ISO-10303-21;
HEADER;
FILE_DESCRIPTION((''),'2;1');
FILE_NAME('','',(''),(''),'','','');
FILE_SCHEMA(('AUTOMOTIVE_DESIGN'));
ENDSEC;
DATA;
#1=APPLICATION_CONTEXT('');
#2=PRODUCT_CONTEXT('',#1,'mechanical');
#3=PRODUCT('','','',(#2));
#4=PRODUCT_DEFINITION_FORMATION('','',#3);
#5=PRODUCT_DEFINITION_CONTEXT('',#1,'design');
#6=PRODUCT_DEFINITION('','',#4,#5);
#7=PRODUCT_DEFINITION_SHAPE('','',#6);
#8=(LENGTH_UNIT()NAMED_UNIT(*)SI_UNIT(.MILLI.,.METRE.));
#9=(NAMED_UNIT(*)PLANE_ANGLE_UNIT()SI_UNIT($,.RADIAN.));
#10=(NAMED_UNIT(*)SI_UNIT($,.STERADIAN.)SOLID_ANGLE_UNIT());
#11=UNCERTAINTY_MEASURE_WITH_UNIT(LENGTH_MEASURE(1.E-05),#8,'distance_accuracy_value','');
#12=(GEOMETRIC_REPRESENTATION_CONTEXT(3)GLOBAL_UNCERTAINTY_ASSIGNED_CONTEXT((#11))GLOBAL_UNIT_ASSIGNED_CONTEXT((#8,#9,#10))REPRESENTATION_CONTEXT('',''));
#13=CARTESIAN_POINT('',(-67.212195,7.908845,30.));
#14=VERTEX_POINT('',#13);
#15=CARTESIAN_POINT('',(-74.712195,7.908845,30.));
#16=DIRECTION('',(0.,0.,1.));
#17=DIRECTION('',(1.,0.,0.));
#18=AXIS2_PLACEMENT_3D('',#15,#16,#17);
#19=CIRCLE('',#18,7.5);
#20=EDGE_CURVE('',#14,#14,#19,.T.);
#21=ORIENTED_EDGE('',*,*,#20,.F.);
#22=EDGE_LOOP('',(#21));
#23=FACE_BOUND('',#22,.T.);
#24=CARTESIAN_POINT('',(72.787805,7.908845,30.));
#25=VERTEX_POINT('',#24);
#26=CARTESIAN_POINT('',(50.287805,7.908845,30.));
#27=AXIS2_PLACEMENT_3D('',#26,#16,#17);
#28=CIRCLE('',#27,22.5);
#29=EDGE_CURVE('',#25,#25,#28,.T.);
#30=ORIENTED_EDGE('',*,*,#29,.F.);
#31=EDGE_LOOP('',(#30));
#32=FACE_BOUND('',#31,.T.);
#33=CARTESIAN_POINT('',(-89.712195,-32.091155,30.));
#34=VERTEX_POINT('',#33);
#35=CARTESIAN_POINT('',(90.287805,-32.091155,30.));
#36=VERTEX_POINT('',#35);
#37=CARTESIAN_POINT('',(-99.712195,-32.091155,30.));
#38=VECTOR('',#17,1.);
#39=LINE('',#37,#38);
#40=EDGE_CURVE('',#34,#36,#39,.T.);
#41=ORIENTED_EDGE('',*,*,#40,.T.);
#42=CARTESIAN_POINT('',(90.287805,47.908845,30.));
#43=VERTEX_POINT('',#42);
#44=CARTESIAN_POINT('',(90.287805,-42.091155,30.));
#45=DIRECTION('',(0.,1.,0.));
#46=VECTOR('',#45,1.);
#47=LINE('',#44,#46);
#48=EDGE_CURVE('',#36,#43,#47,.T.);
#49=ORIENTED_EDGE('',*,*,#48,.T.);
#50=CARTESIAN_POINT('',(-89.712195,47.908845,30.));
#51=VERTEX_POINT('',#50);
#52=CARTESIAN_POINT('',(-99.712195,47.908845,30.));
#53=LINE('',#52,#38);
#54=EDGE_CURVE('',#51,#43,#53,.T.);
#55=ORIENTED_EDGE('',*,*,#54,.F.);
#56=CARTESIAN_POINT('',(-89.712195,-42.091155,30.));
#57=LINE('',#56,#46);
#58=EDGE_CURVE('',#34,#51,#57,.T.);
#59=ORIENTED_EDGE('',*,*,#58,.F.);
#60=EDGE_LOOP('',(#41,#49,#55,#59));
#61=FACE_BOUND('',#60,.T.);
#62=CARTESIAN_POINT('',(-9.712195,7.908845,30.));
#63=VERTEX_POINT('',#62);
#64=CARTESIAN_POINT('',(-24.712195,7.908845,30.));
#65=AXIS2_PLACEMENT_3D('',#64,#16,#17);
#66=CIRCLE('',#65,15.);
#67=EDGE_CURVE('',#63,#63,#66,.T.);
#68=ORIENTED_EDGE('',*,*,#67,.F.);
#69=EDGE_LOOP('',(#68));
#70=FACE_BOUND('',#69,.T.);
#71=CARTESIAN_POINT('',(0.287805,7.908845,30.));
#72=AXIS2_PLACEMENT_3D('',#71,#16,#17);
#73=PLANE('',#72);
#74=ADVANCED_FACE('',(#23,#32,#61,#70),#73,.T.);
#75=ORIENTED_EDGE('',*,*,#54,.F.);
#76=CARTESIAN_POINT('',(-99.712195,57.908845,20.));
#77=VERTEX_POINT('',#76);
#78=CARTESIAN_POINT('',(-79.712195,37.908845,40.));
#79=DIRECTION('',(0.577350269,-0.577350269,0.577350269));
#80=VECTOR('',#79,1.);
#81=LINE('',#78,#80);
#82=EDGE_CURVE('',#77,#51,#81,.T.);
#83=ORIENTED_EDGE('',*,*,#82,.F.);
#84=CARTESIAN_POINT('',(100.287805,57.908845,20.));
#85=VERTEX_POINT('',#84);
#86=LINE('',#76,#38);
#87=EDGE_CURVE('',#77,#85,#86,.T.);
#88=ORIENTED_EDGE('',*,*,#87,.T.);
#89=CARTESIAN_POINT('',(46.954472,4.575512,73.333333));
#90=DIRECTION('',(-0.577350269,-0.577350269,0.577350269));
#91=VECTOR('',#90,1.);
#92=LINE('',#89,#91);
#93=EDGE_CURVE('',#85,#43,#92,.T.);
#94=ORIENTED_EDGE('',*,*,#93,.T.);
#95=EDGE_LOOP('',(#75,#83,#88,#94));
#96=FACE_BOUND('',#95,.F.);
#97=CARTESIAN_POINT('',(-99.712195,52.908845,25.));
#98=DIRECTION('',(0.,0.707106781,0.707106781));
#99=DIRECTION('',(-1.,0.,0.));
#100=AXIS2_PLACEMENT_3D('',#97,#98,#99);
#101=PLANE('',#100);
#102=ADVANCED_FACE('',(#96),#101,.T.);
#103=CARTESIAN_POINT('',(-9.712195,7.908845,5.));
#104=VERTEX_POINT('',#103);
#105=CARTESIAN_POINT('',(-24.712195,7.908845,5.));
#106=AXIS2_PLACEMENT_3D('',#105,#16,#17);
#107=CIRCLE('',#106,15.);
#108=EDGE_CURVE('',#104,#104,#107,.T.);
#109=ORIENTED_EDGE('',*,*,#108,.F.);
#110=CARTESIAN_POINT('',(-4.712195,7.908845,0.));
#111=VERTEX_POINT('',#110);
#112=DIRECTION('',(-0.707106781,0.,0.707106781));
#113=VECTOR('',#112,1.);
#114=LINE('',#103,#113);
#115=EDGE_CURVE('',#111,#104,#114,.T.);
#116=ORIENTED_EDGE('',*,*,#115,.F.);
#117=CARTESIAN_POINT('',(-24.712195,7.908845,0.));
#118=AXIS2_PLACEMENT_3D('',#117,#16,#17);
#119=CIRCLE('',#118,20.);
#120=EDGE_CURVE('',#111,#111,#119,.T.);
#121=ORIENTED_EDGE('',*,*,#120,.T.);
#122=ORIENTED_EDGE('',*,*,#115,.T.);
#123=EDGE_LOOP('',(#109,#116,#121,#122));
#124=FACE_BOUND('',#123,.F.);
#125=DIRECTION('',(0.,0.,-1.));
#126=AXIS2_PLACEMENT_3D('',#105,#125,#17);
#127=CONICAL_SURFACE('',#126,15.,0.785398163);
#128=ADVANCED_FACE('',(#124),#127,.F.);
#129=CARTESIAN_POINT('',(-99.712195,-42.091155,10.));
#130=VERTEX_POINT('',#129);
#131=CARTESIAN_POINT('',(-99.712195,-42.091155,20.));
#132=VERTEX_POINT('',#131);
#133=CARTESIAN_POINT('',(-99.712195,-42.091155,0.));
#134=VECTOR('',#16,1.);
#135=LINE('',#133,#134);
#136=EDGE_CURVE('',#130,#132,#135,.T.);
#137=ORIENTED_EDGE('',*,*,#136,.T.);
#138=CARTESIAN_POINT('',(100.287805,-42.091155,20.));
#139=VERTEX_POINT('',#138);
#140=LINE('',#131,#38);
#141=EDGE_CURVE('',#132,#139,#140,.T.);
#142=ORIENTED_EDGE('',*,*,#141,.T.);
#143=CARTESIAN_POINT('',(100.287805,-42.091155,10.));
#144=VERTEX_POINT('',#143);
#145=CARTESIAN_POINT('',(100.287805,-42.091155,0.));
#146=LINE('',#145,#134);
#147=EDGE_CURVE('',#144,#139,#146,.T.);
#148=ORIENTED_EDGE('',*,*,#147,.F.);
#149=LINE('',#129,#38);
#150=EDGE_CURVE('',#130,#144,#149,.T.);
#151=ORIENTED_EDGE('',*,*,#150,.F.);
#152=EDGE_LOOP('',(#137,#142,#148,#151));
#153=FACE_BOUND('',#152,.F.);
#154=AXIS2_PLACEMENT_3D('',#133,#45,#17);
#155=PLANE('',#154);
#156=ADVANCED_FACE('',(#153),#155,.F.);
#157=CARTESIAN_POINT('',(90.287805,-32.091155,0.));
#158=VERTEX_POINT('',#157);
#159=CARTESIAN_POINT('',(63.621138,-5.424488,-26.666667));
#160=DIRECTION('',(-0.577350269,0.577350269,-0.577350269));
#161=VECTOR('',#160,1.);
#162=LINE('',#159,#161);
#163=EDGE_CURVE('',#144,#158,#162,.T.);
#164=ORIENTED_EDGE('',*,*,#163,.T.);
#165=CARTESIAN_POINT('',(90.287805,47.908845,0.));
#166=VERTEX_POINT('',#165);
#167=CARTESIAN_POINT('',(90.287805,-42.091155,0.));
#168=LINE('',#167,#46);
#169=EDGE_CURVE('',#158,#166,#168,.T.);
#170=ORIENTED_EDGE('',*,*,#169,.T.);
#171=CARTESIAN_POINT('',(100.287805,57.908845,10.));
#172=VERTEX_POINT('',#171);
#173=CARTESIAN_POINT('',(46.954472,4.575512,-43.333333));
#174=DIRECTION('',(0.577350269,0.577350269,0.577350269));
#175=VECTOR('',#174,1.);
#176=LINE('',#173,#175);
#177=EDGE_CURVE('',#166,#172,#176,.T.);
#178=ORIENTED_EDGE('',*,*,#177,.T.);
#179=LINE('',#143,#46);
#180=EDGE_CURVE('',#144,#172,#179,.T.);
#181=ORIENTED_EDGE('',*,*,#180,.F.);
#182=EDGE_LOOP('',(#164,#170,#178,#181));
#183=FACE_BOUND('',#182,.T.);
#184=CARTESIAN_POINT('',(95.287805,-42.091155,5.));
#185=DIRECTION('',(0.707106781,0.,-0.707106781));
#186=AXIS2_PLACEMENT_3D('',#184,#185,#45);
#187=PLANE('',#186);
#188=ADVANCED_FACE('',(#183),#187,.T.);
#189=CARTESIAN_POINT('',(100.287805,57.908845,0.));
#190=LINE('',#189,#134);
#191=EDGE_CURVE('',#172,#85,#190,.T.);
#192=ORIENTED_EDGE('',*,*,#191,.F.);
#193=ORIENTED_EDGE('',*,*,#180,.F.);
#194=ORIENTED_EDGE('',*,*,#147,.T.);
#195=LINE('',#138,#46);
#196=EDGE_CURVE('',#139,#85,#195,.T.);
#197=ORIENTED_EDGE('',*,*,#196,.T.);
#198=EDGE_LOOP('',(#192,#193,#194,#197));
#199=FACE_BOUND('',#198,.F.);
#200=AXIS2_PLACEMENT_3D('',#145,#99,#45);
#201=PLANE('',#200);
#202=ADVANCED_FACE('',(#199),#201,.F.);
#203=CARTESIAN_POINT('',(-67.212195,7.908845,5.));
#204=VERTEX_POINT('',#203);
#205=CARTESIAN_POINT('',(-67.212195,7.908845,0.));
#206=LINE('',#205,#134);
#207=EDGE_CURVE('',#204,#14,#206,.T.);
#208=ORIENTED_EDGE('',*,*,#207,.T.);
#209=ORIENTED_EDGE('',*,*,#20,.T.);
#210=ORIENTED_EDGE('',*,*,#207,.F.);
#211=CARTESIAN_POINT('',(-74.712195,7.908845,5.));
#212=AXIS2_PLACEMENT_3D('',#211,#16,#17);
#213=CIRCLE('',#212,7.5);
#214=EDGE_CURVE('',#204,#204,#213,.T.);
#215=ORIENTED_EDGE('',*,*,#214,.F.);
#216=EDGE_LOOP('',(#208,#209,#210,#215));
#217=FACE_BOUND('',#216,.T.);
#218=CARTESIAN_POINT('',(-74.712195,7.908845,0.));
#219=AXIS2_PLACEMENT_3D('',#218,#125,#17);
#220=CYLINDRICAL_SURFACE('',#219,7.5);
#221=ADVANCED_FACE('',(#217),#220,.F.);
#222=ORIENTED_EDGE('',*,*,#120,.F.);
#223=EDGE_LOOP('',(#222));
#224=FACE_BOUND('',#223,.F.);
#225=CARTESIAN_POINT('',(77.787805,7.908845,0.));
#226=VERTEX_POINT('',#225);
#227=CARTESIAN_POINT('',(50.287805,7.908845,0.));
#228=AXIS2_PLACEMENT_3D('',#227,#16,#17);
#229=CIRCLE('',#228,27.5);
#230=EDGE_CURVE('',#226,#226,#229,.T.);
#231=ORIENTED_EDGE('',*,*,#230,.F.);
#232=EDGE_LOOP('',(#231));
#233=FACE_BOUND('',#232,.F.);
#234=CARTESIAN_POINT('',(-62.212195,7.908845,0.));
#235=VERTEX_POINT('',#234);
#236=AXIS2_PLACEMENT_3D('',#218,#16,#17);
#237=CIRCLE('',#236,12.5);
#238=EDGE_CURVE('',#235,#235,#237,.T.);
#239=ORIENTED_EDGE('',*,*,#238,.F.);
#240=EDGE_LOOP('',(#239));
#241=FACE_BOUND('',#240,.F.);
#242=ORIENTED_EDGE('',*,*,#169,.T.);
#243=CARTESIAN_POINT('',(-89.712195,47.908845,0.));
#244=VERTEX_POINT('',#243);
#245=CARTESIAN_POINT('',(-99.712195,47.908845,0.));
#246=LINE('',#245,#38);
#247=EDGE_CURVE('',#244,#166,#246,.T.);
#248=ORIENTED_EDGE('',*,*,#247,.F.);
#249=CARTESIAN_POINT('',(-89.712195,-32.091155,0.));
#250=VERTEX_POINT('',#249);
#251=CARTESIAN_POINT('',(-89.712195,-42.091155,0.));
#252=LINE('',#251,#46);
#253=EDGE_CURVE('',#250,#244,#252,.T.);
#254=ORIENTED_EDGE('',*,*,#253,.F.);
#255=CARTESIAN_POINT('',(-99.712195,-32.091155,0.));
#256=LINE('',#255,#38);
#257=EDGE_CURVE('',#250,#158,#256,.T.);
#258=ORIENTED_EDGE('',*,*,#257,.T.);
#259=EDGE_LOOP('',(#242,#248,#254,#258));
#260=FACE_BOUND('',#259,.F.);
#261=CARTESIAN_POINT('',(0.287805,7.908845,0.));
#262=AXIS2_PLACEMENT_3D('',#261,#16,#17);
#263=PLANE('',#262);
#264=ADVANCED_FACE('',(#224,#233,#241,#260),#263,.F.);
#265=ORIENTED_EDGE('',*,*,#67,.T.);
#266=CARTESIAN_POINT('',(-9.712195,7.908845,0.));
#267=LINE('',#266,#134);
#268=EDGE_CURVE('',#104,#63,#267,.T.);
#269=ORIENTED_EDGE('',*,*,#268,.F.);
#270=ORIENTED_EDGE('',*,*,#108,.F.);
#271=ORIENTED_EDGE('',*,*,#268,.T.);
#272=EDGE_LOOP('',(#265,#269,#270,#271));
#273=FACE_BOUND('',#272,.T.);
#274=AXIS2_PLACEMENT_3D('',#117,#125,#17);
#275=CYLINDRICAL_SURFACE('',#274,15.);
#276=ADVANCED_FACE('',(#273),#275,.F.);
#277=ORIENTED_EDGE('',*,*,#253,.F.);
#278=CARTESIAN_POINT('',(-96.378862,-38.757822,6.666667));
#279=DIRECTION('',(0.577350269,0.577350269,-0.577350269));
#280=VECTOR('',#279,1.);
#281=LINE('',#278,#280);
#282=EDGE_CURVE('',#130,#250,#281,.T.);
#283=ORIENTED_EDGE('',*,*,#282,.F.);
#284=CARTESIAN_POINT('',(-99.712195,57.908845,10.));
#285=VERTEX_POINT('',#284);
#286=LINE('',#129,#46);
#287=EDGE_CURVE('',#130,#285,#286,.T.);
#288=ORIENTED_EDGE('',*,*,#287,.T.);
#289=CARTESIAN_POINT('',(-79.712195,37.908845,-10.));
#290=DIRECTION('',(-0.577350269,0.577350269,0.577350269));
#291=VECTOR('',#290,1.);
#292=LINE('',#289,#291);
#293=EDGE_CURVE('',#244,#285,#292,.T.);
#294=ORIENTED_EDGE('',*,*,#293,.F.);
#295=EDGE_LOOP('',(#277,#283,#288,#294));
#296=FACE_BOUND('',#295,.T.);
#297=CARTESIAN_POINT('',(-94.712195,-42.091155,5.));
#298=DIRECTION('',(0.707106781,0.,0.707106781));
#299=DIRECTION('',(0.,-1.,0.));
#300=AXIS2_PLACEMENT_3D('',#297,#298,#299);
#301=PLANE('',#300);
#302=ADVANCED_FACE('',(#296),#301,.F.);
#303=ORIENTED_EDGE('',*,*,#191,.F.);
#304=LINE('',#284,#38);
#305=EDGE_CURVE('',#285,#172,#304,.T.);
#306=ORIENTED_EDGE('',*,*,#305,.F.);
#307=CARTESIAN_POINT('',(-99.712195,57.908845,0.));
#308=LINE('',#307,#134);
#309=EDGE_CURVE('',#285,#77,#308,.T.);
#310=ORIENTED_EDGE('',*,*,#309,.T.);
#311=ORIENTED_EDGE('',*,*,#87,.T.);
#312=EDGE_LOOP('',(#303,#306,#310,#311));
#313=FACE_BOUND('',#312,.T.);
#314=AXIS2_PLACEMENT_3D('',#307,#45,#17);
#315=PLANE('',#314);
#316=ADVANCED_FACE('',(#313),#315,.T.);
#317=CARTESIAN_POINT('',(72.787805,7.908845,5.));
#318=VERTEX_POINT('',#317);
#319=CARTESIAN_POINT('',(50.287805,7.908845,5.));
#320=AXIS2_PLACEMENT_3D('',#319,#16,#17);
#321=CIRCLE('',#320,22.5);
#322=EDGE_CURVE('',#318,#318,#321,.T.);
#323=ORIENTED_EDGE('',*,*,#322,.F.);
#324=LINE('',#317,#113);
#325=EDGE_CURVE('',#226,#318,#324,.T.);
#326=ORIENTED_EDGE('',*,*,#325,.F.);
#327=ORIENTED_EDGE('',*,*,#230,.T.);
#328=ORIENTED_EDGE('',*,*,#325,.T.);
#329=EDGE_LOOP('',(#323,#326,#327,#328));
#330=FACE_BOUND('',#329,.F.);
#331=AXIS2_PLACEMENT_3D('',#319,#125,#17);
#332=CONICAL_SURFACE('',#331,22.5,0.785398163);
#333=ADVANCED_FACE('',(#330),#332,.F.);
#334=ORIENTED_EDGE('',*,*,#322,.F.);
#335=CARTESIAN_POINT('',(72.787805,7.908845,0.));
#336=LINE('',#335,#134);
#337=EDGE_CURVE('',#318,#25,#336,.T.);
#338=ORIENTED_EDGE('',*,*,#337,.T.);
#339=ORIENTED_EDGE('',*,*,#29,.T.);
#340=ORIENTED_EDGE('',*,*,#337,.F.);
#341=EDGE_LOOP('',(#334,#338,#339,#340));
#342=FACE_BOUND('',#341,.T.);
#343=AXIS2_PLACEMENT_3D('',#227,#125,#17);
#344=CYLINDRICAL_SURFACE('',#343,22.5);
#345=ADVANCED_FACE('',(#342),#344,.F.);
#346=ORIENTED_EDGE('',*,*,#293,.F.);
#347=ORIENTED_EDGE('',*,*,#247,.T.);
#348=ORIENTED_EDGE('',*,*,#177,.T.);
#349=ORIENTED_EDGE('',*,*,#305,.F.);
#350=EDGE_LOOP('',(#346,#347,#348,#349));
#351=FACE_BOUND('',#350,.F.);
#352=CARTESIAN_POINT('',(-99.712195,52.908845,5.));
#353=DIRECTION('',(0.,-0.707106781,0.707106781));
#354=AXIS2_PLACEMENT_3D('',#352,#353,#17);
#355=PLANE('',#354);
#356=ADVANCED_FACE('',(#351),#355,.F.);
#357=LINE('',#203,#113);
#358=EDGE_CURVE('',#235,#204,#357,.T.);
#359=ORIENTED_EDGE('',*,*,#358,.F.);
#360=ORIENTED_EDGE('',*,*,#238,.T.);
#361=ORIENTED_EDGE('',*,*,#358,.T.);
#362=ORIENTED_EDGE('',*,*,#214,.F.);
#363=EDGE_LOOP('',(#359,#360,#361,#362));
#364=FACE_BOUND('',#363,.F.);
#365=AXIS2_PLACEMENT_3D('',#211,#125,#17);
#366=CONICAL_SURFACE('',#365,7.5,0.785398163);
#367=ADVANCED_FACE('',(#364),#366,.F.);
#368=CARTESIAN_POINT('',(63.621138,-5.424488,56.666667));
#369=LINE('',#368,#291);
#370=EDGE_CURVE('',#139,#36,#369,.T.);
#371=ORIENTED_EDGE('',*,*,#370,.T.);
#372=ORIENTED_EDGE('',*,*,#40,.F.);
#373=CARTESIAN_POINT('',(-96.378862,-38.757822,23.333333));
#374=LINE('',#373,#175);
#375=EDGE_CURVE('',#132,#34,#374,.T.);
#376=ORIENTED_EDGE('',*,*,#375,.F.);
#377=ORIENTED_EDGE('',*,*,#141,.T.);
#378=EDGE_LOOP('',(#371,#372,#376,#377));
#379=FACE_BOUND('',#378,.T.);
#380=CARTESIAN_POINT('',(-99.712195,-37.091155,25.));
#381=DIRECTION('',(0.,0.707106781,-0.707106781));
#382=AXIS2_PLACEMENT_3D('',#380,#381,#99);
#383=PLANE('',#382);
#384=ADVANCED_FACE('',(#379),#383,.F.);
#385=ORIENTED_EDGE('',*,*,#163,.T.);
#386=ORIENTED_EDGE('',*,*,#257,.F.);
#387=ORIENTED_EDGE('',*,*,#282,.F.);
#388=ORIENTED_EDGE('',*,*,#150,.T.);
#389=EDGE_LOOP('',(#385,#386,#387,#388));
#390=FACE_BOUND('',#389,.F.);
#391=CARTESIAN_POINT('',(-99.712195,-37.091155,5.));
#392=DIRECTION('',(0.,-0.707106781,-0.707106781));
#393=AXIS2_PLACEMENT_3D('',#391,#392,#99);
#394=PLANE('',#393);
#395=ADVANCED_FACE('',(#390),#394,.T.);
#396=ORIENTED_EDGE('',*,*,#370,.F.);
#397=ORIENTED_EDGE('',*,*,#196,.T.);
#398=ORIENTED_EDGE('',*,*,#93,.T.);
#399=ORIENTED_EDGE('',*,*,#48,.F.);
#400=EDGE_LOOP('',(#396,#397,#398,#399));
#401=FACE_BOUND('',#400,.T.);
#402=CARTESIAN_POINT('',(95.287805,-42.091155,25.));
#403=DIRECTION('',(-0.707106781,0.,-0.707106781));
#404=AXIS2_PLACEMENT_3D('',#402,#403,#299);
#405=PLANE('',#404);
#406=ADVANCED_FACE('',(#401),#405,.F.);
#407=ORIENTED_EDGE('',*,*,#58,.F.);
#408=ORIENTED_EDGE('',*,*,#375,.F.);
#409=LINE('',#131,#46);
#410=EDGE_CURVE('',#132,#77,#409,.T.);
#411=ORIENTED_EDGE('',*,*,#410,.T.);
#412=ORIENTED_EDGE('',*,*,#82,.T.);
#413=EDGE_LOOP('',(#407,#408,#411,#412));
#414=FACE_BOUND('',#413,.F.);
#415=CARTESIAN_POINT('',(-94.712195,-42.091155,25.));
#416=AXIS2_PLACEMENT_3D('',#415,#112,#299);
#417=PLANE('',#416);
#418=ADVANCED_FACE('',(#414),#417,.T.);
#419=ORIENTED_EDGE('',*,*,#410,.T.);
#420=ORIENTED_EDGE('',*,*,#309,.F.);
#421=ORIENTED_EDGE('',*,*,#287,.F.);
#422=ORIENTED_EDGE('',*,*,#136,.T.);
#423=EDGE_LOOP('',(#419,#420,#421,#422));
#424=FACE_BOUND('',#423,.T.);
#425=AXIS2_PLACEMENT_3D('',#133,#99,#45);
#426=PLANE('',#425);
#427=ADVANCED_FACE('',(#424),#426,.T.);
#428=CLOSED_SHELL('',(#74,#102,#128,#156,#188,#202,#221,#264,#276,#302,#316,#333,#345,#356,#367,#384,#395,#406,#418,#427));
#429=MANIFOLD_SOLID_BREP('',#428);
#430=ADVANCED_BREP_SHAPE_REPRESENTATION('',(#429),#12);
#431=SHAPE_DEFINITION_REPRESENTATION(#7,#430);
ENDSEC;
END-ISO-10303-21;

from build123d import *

# Parameters (mm, degrees)
F0_W     = 200
F0_H     = 100
F0_R     = 15
F0_R_2   = 22.5
F0_R_3   = 7.5
F1_DEPTH = 30
F2_SIZE2 = 10
F2_SIZE  = 10
F3_SIZE2 = 10
F3_SIZE  = 10
F4_SIZE2 = 5
F4_SIZE  = 5


with BuildPart() as f1:
    # F0 (on Top) → F1 (new body)
    with BuildSketch(Plane.XY):
        with Locations((0.287805, 7.908845)):
            Rectangle(F0_W, F0_H)
        with Locations((-24.712195, 7.908845)):
            Circle(F0_R, mode=Mode.SUBTRACT)
        with Locations((50.287805, 7.908845)):
            Circle(F0_R_2, mode=Mode.SUBTRACT)
        with Locations((-74.712195, 7.908845)):
            Circle(F0_R_3, mode=Mode.SUBTRACT)
    extrude(amount=F1_DEPTH)

    # F2
    f2_edges = [f1.edges().sort_by_distance(p)[0] for p in [
        (0.287805, 57.908845, 30),
        (-99.712195, 7.908845, 30),
        (0.287805, -42.091155, 30),
        (100.287805, 7.908845, 30),
    ]]
    chamfer(f2_edges, length=F2_SIZE, length2=F2_SIZE2)

    # F3
    f3_edges = [f1.edges().sort_by_distance(p)[0] for p in [
        (0.287805, 57.908845, 0),
        (-99.712195, 7.908845, 0),
        (0.287805, -42.091155, 0),
        (100.287805, 7.908845, 0),
    ]]
    chamfer(f3_edges, length=F3_SIZE, length2=F3_SIZE2)

    # F4
    f4_edges = [f1.edges().sort_by_distance(p)[0] for p in [
        (-82.212195, 7.908845, 0),
        (-39.712195, 7.908845, 0),
        (27.787805, 7.908845, 0),
    ]]
    chamfer(f4_edges, length=F4_SIZE, length2=F4_SIZE2)


solid = f1.part
